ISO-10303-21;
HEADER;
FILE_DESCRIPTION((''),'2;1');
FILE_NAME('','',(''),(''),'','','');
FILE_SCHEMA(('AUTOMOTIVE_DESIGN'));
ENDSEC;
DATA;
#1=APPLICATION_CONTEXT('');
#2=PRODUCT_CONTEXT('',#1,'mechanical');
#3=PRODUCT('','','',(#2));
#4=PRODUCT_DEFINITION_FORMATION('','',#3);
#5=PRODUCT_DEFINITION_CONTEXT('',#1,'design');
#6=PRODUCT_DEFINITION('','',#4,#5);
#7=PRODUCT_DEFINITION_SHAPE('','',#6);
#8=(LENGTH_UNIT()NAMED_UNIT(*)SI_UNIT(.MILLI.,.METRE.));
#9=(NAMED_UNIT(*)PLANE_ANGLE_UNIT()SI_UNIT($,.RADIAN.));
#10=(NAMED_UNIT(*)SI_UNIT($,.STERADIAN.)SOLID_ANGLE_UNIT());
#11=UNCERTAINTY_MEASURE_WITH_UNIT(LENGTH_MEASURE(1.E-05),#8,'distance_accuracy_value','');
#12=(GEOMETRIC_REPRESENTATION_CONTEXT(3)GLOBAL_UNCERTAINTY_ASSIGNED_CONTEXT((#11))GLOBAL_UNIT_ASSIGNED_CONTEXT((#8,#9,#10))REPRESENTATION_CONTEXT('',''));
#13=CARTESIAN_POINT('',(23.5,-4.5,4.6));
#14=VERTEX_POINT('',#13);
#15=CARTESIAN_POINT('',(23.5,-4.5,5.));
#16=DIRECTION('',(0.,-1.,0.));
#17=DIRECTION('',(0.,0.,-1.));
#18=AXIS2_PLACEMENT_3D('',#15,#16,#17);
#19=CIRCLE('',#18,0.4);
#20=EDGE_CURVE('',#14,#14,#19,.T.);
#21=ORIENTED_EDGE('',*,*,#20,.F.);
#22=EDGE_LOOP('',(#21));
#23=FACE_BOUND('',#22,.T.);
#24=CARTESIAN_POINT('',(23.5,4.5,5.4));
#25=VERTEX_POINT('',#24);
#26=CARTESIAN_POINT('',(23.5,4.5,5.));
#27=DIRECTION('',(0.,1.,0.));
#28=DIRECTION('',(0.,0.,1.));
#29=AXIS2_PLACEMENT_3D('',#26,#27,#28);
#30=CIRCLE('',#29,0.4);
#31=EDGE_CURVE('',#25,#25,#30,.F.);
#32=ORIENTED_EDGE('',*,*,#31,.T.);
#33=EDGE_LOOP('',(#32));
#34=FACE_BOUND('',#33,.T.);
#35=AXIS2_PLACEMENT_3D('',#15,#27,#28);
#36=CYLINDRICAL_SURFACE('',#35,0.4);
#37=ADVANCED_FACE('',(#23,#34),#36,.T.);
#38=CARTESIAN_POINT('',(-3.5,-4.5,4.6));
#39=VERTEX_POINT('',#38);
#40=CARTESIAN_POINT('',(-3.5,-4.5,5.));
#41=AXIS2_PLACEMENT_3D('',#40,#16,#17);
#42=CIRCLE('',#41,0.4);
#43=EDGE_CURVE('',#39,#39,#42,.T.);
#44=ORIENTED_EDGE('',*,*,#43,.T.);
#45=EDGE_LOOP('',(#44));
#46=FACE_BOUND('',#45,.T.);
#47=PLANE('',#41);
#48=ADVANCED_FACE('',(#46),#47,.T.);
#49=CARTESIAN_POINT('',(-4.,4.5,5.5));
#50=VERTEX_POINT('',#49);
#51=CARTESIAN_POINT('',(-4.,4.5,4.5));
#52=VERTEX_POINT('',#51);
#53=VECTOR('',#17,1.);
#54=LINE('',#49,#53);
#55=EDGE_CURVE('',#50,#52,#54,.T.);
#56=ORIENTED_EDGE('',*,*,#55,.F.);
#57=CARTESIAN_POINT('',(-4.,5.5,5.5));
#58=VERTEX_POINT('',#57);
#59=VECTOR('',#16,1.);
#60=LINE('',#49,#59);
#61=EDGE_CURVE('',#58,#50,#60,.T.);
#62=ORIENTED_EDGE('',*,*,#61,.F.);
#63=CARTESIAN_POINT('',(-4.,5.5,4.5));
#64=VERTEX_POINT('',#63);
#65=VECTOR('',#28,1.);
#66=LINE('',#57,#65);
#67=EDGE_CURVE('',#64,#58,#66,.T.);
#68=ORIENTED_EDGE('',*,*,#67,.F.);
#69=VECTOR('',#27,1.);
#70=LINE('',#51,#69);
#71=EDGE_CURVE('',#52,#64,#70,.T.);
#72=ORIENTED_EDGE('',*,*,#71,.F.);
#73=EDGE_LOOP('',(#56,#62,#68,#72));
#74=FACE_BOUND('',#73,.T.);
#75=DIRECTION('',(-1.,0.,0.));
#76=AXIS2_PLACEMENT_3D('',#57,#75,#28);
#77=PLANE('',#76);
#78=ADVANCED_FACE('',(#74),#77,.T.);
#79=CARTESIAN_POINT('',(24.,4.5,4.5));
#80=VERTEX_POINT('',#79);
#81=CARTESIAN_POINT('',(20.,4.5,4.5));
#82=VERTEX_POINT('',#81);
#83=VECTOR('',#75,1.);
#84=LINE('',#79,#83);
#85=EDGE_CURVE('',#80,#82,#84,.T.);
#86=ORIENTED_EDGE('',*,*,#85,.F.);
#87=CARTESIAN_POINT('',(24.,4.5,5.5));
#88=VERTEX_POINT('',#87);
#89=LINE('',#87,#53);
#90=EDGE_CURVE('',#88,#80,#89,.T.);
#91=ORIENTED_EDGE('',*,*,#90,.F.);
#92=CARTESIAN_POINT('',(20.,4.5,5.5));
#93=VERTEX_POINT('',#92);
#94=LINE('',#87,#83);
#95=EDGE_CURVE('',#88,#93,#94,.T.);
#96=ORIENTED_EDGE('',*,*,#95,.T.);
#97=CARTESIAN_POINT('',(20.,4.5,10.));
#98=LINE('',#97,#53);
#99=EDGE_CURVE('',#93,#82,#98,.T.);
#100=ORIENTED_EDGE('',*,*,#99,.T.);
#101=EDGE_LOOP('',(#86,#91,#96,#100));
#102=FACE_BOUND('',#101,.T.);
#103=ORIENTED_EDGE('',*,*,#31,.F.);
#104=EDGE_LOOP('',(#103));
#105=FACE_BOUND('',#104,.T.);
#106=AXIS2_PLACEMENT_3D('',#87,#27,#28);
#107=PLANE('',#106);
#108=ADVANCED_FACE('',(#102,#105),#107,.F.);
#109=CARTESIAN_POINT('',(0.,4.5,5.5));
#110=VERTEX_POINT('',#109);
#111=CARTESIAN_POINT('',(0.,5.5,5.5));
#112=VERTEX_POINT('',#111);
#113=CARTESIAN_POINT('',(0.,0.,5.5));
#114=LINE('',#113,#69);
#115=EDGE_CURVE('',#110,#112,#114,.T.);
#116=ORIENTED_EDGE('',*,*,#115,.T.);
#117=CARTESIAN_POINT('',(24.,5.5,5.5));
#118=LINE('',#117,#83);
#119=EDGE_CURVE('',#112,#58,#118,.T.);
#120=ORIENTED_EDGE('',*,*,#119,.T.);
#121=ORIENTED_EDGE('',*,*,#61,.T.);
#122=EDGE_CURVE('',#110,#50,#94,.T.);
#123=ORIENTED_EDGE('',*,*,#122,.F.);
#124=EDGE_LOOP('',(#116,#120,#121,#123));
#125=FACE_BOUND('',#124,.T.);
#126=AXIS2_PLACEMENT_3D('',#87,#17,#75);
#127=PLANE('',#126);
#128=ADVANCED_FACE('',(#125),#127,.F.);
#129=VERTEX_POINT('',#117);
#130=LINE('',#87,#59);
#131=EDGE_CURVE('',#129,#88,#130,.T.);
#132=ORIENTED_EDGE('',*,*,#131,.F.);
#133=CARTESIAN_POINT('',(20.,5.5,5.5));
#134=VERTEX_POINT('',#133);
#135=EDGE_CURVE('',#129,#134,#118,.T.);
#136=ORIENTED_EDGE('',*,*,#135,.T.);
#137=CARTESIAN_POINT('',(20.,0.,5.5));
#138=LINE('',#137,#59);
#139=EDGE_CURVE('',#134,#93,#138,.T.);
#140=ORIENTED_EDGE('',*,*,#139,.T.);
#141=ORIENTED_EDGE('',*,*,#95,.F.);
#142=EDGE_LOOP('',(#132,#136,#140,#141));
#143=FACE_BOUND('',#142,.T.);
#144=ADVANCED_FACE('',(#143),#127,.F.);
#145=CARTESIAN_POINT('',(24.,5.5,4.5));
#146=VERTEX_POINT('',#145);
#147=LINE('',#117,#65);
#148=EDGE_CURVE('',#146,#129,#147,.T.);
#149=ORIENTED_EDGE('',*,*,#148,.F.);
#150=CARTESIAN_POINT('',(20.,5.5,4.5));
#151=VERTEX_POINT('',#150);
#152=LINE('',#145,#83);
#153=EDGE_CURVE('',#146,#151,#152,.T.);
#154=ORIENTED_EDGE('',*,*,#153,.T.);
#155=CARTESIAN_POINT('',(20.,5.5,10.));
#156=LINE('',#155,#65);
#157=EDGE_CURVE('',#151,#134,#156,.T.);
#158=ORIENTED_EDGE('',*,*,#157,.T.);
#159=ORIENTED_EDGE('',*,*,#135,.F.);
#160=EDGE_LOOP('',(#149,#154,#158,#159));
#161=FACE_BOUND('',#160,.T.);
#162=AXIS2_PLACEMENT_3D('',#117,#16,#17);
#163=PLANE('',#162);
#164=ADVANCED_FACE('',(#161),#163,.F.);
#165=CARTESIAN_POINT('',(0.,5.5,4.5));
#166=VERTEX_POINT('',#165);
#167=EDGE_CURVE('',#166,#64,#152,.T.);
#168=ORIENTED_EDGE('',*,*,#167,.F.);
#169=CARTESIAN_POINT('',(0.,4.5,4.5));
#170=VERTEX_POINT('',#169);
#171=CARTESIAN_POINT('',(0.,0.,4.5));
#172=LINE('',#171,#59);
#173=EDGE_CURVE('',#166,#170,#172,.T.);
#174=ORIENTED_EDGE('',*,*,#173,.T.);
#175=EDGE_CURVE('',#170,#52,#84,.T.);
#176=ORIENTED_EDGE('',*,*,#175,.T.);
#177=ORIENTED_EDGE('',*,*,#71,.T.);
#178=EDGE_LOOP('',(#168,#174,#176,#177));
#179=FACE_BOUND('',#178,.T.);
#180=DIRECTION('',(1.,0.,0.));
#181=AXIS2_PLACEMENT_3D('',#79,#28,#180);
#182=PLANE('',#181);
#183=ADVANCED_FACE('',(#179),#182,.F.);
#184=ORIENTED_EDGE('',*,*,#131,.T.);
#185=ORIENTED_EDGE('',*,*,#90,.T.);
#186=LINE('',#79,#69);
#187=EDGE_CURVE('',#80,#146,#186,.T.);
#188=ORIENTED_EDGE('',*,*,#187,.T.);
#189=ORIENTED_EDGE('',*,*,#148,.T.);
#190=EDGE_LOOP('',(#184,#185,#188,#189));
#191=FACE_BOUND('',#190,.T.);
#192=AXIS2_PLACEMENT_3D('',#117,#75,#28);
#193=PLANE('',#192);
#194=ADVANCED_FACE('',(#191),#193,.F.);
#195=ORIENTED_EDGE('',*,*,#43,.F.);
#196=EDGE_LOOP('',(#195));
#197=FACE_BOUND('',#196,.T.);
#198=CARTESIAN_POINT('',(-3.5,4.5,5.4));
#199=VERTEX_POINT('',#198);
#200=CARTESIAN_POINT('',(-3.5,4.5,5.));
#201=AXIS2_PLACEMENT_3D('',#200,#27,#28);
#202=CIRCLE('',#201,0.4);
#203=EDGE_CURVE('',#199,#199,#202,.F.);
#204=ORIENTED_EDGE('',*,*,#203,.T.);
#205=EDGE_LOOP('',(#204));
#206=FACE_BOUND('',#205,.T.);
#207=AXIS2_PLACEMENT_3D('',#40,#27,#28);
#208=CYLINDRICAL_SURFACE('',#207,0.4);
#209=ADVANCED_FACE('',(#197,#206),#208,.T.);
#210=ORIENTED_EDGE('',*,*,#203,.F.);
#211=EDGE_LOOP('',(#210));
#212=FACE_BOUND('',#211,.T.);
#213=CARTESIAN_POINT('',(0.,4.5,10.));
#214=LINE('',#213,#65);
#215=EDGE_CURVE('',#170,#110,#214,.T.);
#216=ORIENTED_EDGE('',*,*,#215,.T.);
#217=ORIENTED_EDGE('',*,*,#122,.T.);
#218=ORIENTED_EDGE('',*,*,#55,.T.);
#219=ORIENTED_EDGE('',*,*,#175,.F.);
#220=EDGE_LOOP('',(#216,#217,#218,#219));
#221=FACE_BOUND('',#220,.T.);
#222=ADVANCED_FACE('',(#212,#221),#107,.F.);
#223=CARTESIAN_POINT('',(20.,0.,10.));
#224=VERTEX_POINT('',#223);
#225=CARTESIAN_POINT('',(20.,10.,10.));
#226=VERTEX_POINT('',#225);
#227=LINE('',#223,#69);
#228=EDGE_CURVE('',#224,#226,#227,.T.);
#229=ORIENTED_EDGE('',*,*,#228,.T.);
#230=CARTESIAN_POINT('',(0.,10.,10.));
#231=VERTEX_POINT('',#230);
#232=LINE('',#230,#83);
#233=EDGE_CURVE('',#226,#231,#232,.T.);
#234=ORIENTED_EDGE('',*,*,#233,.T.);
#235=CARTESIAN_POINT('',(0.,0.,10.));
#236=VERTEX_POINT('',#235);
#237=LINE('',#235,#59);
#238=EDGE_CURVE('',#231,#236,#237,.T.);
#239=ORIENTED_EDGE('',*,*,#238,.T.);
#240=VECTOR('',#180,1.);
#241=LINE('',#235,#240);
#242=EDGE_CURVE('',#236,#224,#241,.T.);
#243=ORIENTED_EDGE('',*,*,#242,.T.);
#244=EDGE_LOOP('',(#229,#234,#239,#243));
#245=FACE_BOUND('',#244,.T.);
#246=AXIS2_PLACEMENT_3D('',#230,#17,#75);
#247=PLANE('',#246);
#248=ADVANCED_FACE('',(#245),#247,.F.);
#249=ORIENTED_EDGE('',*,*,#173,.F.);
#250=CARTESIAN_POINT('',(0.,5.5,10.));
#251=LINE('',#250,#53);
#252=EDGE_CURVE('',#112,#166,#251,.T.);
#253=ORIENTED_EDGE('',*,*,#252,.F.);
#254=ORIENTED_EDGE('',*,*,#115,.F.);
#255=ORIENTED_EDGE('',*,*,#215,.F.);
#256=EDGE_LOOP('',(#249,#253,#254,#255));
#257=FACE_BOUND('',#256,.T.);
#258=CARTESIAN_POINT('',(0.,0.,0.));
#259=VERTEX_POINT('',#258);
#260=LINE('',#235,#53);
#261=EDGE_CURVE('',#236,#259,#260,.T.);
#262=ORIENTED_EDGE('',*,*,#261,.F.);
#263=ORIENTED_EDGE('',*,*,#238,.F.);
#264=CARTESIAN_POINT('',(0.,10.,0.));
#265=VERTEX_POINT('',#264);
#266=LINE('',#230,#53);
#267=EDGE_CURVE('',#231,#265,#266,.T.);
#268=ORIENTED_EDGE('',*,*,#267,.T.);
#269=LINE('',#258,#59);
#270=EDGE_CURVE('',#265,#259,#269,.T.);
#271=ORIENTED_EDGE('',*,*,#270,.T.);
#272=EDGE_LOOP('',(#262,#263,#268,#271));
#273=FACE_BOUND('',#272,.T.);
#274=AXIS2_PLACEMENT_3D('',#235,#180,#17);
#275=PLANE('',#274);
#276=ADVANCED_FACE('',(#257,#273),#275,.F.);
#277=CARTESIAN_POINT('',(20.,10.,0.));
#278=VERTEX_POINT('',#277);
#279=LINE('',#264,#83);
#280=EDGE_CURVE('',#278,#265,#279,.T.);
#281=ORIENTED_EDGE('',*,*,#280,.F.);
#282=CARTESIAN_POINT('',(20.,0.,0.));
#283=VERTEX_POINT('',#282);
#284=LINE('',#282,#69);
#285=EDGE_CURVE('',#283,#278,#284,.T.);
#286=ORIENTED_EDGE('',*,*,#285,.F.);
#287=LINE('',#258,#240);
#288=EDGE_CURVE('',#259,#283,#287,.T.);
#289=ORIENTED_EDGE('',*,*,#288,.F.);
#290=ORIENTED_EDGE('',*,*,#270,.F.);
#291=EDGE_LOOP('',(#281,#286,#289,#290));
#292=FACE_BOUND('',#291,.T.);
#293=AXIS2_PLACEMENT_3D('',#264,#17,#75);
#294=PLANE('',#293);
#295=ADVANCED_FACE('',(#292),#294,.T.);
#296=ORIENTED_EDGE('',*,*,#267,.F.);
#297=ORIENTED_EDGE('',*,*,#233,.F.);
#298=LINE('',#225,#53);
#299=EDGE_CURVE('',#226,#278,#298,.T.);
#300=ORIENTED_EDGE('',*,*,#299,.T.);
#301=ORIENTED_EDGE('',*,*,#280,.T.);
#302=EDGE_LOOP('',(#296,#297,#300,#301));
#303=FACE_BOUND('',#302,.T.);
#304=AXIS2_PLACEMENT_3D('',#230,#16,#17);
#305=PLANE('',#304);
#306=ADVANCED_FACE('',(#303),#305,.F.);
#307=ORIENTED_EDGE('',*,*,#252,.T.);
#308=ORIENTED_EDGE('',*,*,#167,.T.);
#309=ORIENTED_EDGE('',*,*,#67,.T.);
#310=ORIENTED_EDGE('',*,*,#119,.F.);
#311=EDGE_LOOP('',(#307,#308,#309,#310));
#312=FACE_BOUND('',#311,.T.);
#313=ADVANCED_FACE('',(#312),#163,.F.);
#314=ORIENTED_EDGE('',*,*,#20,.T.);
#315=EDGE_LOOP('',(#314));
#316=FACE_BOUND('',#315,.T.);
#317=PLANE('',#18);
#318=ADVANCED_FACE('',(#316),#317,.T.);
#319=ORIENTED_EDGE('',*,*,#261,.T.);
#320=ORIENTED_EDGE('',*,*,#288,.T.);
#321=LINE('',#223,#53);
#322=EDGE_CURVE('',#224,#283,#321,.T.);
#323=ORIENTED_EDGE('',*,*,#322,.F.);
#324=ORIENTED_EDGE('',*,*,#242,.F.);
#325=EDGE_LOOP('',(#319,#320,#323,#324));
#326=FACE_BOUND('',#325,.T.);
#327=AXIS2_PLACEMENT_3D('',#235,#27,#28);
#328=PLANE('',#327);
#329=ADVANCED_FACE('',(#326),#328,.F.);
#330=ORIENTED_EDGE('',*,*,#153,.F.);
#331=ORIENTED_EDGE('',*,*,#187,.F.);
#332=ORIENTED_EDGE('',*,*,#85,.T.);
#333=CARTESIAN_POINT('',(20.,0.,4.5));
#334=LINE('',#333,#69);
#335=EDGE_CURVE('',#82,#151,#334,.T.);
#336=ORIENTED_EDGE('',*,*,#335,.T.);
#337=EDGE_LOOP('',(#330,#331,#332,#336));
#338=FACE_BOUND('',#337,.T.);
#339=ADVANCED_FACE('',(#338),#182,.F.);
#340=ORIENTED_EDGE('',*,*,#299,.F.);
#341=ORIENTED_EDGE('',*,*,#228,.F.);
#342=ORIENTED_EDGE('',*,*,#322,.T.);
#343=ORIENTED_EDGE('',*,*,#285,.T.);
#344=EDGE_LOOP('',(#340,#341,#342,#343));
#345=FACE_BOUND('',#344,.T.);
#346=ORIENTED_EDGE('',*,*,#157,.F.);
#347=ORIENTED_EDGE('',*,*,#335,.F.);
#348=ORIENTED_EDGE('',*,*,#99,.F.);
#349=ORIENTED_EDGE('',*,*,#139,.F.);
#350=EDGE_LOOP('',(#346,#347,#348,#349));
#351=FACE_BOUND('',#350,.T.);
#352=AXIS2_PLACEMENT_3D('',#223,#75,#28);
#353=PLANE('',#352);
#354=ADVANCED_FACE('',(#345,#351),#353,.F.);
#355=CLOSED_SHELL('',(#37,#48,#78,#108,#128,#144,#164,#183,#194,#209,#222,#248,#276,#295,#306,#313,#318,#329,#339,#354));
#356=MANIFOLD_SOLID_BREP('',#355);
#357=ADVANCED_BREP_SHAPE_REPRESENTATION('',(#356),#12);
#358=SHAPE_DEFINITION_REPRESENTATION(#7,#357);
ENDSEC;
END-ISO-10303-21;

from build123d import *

# Parameters (mm, degrees)
SKETCH_1_W           = 20
SKETCH_1_H           = 10
EXTRUDE_1_DEPTH      = 10
EXTRUDE_2_DEPTH      = 4
EXTRUDE_2_DEPTH_BACK = 24
SKETCH_2_W           = 1
SKETCH_2_H           = 1
SKETCH_3_R           = 0.4
EXTRUDE_3_DEPTH      = 9


with BuildPart() as part:
    # Эскиз1 → Вытянуть1 (new body)
    with BuildSketch(Plane.XY):
        with Locations((10, 5)):
            Rectangle(SKETCH_1_W, SKETCH_1_H)
    extrude(amount=EXTRUDE_1_DEPTH)

    # Эскиз2 → Вытянуть2 (add, two sides: drawn at the far end of the back side and taken through both)
    with BuildSketch(Plane(origin=(20, 0, 0), x_dir=(0, 0, -1), z_dir=(1, 0, 0)).offset(-EXTRUDE_2_DEPTH_BACK)):
        with Locations((-5, 5)):
            Rectangle(SKETCH_2_W, SKETCH_2_H)
    extrude(amount=EXTRUDE_2_DEPTH + EXTRUDE_2_DEPTH_BACK)

    # Эскиз3 → Вытянуть3 (add)
    with BuildSketch(Plane.XZ.offset(-4.5)):
        with Locations(Location((-3.5, 5, 0), (0, 0, 90))):
            Circle(SKETCH_3_R)
        with Locations(Location((23.5, 5, 0), (0, 0, 90))):
            Circle(SKETCH_3_R)
    extrude(amount=EXTRUDE_3_DEPTH)


solid = part.part
